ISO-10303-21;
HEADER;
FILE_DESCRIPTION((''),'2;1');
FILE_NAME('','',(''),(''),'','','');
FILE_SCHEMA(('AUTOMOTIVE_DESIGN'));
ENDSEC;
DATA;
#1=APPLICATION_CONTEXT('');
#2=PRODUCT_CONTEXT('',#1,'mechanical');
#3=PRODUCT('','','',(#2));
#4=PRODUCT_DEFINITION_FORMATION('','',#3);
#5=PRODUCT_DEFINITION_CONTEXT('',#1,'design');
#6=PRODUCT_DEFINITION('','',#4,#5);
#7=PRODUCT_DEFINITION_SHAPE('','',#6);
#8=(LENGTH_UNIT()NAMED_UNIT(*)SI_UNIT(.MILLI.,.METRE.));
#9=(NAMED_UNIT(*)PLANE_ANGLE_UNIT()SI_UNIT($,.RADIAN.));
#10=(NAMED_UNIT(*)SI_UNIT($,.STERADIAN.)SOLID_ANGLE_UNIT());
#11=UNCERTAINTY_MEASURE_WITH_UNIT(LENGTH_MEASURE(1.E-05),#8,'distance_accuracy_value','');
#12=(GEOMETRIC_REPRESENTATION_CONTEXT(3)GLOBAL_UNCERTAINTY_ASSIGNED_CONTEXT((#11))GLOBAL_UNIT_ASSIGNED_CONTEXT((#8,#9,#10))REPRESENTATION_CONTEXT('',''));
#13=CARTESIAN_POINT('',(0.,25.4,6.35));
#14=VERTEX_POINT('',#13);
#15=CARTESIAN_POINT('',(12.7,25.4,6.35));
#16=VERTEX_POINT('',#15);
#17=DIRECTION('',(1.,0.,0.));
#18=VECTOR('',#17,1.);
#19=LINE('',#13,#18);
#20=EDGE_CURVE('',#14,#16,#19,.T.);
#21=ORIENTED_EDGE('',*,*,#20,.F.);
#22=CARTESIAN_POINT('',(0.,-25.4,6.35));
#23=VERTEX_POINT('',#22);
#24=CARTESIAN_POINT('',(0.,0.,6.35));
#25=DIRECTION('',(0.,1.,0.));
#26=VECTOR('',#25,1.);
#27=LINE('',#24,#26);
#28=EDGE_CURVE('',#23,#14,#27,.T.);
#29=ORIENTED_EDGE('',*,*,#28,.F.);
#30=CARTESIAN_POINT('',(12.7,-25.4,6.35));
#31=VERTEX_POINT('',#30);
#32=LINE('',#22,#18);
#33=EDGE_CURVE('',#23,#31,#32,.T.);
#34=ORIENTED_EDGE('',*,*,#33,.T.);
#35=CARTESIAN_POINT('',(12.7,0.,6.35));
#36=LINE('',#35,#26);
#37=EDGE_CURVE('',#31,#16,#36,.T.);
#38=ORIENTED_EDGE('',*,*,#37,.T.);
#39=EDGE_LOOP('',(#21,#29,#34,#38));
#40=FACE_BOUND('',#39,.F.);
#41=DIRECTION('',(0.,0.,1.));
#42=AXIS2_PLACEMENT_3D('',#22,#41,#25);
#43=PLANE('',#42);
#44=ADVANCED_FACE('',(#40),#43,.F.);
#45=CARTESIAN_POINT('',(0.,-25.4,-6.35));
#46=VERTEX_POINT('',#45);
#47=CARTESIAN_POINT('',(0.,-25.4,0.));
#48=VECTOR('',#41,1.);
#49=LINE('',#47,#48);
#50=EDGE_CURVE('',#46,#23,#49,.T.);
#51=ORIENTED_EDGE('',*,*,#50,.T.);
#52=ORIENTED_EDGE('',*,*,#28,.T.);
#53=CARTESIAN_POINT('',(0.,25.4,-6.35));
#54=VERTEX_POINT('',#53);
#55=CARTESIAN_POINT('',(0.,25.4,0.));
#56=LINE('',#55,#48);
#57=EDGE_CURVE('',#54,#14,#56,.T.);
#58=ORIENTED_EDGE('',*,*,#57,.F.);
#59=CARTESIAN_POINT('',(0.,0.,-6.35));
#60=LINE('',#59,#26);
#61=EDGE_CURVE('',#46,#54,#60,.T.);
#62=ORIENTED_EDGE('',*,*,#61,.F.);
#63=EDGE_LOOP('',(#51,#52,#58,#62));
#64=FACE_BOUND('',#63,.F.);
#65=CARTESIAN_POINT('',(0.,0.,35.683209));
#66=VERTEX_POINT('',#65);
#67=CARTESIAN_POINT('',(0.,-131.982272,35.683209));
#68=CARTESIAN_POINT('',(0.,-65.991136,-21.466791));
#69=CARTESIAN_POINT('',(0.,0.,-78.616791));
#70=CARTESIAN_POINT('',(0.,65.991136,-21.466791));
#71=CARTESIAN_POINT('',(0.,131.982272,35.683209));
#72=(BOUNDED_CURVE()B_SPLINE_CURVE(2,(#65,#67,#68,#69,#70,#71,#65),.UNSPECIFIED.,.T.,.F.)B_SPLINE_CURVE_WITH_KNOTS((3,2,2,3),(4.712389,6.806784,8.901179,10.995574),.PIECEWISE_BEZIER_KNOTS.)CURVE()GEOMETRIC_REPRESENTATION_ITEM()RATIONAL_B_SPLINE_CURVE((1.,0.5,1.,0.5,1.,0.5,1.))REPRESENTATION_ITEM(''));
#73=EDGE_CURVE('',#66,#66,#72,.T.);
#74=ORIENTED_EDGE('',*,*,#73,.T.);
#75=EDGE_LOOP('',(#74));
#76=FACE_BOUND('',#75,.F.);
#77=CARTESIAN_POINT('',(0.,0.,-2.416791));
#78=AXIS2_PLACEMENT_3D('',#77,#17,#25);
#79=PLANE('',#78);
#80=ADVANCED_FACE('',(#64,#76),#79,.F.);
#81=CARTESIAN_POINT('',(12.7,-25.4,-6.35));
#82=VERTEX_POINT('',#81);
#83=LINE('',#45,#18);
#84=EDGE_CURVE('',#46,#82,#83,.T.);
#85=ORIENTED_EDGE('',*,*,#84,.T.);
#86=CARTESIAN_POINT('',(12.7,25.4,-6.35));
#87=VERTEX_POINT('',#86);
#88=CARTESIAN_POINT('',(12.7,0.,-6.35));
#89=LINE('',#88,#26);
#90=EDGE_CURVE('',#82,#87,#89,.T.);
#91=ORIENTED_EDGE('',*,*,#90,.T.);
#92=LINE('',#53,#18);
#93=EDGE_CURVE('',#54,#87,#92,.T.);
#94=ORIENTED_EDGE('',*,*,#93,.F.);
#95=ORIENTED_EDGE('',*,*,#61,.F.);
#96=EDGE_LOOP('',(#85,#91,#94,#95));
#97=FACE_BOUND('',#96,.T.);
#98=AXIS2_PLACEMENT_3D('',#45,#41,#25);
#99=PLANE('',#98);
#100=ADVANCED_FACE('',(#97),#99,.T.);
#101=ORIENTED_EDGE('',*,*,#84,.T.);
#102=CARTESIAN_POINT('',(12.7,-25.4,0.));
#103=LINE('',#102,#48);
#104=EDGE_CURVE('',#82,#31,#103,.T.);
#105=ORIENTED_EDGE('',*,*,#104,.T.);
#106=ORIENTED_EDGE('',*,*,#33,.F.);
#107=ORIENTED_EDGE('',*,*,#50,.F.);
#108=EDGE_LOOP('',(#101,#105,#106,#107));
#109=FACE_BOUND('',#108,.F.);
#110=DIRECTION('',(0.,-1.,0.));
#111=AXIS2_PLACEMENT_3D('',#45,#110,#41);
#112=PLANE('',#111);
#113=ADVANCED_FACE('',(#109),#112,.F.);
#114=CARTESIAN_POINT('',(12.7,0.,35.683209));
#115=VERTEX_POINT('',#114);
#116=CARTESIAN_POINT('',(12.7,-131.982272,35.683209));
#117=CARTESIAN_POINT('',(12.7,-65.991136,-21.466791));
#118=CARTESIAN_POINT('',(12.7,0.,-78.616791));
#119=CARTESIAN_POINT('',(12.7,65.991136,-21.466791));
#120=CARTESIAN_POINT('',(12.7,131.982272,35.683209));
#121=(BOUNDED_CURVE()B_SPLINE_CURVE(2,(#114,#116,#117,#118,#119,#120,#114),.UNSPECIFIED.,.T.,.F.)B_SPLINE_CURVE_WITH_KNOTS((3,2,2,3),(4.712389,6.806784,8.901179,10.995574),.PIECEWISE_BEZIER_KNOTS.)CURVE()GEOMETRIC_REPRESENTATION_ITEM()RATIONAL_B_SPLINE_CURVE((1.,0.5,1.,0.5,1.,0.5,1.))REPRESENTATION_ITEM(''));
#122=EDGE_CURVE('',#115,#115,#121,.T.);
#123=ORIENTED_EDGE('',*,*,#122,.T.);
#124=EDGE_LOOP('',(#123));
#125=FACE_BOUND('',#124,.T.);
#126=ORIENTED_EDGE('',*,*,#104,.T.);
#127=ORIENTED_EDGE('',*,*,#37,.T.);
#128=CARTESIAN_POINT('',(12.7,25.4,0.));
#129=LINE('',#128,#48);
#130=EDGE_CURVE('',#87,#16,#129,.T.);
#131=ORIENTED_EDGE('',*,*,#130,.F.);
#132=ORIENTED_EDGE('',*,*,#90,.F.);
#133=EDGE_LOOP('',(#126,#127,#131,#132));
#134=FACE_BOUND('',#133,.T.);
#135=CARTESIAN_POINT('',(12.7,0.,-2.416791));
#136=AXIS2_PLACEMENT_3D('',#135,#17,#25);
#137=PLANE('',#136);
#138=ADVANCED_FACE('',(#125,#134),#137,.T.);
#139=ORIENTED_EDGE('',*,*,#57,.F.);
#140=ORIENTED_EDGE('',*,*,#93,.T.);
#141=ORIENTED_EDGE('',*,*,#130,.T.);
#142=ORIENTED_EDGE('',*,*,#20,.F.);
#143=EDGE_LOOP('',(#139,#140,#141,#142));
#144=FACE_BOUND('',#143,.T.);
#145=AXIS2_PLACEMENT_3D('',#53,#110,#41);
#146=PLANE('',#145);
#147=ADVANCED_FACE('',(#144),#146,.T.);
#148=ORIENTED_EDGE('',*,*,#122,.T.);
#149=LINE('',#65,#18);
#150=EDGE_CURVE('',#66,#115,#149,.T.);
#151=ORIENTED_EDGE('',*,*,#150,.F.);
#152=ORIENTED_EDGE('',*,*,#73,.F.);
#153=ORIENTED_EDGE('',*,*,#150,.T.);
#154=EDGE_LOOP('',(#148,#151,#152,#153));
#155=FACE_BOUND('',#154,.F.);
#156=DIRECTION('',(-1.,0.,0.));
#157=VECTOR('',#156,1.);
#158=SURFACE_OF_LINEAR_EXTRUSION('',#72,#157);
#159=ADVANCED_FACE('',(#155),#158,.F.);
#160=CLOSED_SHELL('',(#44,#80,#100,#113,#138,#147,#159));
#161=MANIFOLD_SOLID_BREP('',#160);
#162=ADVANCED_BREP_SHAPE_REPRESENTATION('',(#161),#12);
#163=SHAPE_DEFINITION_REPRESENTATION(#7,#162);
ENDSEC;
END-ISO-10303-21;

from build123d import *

# Parameters (mm, degrees)
F0_W     = 50.8
F0_H     = 12.7
F1_DEPTH = 12.7


with BuildPart() as f1:
    # F0 (on Right) → F1 (new body)
    with BuildSketch(Plane.YZ):
        with BuildLine():
            add(Edge.make_bspline(
                [(0, 35.683209), (-131.982272, 35.683209), (-65.991136, -21.466791), (0, -78.616791), (65.991136, -21.466791), (131.982272, 35.683209), (0, 35.683209)],
                knots=[4.712389, 4.712389, 4.712389, 6.806784, 6.806784, 8.901179, 8.901179, 10.995574, 10.995574, 10.995574], degree=2, weights=[1, 0.5, 1, 0.5, 1, 0.5, 1]))
        make_face()
        Rectangle(F0_W, F0_H, mode=Mode.SUBTRACT)
    extrude(amount=F1_DEPTH)


solid = f1.part
